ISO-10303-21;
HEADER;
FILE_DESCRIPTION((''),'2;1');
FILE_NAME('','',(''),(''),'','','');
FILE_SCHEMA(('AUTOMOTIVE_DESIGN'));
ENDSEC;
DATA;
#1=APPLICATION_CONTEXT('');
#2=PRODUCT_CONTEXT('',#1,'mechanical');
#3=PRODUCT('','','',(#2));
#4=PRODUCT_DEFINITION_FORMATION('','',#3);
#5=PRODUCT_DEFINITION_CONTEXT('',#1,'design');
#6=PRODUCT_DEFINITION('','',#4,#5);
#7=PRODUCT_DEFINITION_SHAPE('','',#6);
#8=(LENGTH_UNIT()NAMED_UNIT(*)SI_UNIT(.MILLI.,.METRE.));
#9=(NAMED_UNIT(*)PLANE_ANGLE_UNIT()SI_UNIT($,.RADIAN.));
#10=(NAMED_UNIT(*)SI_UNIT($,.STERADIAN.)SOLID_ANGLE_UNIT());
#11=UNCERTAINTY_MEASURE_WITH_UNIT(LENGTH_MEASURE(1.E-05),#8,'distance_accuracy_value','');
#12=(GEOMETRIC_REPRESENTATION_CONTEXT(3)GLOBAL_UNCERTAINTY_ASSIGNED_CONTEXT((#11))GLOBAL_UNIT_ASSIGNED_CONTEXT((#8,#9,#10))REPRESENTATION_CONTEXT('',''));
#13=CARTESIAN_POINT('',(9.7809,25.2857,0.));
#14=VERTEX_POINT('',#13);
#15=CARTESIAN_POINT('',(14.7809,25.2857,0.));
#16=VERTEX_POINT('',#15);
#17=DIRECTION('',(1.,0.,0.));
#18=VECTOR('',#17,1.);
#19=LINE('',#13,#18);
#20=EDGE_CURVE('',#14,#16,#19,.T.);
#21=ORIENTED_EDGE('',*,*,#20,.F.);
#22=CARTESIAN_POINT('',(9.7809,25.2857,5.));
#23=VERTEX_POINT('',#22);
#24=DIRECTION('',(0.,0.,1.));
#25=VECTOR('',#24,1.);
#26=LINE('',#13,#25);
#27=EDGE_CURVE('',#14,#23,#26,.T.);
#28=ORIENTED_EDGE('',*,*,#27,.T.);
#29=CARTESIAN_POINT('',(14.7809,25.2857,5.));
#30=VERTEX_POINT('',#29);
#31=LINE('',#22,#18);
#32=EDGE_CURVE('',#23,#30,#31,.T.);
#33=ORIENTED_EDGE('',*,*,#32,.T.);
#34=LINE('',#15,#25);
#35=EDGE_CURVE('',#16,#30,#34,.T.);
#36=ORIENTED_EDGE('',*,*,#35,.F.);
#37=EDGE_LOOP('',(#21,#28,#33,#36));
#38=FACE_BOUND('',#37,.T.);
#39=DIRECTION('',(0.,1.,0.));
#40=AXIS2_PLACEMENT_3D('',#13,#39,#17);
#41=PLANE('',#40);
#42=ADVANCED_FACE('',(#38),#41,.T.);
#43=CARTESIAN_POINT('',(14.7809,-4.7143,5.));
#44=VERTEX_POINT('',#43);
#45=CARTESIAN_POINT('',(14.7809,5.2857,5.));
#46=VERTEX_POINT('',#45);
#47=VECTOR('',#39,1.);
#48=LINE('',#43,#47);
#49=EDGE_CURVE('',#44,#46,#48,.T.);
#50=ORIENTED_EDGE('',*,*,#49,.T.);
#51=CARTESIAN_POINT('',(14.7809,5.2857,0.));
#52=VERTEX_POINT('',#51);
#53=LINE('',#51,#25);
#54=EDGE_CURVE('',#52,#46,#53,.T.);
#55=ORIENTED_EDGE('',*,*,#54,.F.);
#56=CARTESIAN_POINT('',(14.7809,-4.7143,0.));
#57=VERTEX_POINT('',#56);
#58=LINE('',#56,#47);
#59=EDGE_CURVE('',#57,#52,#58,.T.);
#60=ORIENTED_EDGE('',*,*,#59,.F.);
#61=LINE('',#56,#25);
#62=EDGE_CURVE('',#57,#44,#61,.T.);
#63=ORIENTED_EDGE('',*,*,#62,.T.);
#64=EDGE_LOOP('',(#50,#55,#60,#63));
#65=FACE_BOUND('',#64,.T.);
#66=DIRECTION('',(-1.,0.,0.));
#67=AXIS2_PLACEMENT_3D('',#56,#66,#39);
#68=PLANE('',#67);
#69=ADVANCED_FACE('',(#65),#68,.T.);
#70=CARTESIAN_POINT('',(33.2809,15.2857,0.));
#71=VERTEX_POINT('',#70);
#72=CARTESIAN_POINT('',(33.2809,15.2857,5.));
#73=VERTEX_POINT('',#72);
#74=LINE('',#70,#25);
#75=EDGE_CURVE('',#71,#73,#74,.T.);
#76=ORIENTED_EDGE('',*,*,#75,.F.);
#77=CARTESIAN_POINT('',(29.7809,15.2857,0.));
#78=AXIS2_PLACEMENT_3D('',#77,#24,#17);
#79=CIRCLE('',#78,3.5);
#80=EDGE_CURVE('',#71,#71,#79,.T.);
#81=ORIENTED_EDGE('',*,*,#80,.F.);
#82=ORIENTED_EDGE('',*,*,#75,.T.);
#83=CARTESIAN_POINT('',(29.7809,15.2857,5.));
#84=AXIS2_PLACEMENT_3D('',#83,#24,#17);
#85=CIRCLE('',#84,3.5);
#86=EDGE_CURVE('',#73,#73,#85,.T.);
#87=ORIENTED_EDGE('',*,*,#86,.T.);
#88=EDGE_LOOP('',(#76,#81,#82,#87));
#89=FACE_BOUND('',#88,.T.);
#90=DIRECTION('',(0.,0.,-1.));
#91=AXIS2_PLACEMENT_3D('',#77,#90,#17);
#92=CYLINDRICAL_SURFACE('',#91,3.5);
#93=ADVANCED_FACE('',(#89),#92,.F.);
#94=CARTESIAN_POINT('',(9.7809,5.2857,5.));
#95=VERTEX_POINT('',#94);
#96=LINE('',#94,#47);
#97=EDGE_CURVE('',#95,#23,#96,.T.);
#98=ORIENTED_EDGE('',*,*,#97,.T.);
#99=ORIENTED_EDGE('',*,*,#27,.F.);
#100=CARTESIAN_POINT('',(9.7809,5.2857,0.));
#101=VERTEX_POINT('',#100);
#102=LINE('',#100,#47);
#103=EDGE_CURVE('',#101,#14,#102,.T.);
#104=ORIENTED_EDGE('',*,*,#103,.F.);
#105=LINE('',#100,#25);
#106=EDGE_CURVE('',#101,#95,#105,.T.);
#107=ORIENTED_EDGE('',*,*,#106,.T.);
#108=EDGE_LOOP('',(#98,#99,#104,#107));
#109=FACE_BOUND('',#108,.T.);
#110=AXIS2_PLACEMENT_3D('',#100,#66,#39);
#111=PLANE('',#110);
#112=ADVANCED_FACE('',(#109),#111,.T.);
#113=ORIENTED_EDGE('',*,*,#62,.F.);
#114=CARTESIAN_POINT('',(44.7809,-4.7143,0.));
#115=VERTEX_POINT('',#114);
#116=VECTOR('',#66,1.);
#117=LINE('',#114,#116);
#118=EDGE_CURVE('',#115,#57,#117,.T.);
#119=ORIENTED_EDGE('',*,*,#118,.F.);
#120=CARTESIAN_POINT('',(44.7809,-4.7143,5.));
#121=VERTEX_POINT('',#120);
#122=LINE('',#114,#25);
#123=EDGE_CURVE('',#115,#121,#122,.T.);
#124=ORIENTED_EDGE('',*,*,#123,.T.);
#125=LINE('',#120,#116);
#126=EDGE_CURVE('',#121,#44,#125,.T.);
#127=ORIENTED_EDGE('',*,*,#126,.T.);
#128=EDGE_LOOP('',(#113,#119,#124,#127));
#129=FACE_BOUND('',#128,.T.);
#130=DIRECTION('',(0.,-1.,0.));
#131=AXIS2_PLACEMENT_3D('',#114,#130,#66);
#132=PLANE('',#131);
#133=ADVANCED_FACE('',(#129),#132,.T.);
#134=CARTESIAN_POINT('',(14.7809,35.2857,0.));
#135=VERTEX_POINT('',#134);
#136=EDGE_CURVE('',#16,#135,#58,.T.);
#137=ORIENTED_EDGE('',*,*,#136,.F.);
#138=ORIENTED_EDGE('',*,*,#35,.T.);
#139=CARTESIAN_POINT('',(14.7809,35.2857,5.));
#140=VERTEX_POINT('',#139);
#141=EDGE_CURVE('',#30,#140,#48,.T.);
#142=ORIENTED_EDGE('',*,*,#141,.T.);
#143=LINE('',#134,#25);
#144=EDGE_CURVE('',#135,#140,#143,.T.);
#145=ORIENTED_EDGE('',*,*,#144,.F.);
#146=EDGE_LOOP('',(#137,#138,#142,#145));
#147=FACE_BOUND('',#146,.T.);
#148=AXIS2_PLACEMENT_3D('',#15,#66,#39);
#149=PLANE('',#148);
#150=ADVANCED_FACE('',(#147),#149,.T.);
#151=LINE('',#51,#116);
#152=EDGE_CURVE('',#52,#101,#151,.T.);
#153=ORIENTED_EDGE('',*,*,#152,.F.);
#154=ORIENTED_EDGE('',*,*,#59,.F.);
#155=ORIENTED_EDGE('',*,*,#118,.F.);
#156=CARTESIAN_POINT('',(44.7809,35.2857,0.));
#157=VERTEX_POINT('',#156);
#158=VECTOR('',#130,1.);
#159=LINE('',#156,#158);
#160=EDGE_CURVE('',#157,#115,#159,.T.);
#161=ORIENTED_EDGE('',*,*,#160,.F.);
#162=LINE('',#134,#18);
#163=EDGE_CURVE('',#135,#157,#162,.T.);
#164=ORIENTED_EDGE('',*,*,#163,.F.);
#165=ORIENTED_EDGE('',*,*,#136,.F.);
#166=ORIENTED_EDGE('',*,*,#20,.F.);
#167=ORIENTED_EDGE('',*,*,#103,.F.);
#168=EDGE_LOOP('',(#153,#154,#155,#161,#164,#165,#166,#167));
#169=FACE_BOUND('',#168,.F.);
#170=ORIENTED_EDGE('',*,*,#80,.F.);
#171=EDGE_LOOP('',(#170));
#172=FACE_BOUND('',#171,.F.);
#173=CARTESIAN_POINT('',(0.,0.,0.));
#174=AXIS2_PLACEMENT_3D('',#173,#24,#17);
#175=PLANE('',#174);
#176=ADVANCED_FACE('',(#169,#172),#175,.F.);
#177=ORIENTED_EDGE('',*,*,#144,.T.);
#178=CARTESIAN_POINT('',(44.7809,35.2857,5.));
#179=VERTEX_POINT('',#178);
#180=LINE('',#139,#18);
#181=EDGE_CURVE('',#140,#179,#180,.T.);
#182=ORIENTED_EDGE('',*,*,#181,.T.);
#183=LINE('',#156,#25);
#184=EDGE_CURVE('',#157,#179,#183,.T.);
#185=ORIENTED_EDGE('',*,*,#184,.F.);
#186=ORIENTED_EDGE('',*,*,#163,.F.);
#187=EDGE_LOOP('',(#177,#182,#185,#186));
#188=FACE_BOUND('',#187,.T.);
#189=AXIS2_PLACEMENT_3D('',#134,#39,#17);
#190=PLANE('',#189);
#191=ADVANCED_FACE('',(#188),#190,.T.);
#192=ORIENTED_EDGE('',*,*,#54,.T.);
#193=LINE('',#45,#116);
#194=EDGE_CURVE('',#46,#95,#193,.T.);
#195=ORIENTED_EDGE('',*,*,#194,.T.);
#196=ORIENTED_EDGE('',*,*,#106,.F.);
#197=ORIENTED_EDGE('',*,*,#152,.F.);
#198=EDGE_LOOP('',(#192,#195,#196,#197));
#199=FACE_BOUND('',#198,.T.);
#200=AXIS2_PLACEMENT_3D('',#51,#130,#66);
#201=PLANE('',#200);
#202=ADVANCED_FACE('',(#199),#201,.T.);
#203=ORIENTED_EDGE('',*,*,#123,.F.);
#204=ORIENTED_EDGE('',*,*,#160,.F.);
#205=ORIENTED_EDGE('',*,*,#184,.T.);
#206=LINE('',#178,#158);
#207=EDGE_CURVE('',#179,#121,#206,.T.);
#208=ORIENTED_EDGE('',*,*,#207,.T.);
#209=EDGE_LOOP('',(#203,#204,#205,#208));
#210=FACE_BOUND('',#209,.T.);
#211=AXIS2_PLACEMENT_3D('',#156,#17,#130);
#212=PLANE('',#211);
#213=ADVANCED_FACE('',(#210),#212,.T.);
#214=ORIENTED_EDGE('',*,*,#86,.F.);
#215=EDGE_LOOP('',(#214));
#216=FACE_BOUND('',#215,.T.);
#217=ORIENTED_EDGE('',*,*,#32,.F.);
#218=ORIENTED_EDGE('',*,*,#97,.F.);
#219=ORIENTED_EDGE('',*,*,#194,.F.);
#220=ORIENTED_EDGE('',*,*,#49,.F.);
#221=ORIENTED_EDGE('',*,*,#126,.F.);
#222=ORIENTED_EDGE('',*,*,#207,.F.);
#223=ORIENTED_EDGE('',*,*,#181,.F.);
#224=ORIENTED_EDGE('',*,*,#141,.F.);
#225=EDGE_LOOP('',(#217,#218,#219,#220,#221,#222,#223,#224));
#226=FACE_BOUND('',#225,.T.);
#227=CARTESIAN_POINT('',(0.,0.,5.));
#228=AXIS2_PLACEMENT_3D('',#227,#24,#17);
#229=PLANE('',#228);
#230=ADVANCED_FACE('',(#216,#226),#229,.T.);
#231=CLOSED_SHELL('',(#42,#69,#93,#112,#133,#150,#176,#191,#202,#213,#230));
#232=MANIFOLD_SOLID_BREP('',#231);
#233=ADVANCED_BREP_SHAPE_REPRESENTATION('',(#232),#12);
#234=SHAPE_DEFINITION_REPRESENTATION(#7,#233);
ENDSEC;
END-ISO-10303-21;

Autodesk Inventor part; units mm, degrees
ref_plane "YZ Plane" through (0, 0, 0) normal (1, 0, 0) x (0, 1, 0)
ref_plane "XZ Plane" through (0, 0, 0) normal (0, 1, 0) x (-1, 0, 0)
ref_plane "XY Plane" through (0, 0, 0) normal (0, 0, 1) x (1, 0, 0)
sketch "Sketch1" plane through (0, 0, 0) normal (0, 0, 1) x (1, 0, 0)
  line L0 (9.7809, 25.2857) -> (14.7809, 25.2857)
  line L1 (14.7809, 25.2857) -> (14.7809, 5.2857)
  line L2 (14.7809, 5.2857) -> (9.7809, 5.2857)
  line L3 (9.7809, 5.2857) -> (9.7809, 25.2857)
  line L4 (14.7809, 35.2857) -> (44.7809, 35.2857)
  line L5 (44.7809, 35.2857) -> (44.7809, -4.7143)
  line L6 (44.7809, -4.7143) -> (14.7809, -4.7143)
  line L7 (14.7809, -4.7143) -> (14.7809, 35.2857)
  circle A0 centre (29.7809, 15.2857) radius 3.5
  point P0 (0, 0)
  point P1 (12.2809, 25.2857)
  dimension "d0" = 5
  dimension "d1" = 20
  dimension "d2" = 30
  dimension "d3" = 40
  dimension "d4" = 10
  dimension "d7" = 7
extrude "Extrusion1" add sketch "Sketch1" along normal blind 5 contours L0 L1 L2 L3 | L7 L4 L5 L6 L1 | A0
extrude "Extrusion2" cut sketch "Sketch1" along normal blind 5 contours A0
